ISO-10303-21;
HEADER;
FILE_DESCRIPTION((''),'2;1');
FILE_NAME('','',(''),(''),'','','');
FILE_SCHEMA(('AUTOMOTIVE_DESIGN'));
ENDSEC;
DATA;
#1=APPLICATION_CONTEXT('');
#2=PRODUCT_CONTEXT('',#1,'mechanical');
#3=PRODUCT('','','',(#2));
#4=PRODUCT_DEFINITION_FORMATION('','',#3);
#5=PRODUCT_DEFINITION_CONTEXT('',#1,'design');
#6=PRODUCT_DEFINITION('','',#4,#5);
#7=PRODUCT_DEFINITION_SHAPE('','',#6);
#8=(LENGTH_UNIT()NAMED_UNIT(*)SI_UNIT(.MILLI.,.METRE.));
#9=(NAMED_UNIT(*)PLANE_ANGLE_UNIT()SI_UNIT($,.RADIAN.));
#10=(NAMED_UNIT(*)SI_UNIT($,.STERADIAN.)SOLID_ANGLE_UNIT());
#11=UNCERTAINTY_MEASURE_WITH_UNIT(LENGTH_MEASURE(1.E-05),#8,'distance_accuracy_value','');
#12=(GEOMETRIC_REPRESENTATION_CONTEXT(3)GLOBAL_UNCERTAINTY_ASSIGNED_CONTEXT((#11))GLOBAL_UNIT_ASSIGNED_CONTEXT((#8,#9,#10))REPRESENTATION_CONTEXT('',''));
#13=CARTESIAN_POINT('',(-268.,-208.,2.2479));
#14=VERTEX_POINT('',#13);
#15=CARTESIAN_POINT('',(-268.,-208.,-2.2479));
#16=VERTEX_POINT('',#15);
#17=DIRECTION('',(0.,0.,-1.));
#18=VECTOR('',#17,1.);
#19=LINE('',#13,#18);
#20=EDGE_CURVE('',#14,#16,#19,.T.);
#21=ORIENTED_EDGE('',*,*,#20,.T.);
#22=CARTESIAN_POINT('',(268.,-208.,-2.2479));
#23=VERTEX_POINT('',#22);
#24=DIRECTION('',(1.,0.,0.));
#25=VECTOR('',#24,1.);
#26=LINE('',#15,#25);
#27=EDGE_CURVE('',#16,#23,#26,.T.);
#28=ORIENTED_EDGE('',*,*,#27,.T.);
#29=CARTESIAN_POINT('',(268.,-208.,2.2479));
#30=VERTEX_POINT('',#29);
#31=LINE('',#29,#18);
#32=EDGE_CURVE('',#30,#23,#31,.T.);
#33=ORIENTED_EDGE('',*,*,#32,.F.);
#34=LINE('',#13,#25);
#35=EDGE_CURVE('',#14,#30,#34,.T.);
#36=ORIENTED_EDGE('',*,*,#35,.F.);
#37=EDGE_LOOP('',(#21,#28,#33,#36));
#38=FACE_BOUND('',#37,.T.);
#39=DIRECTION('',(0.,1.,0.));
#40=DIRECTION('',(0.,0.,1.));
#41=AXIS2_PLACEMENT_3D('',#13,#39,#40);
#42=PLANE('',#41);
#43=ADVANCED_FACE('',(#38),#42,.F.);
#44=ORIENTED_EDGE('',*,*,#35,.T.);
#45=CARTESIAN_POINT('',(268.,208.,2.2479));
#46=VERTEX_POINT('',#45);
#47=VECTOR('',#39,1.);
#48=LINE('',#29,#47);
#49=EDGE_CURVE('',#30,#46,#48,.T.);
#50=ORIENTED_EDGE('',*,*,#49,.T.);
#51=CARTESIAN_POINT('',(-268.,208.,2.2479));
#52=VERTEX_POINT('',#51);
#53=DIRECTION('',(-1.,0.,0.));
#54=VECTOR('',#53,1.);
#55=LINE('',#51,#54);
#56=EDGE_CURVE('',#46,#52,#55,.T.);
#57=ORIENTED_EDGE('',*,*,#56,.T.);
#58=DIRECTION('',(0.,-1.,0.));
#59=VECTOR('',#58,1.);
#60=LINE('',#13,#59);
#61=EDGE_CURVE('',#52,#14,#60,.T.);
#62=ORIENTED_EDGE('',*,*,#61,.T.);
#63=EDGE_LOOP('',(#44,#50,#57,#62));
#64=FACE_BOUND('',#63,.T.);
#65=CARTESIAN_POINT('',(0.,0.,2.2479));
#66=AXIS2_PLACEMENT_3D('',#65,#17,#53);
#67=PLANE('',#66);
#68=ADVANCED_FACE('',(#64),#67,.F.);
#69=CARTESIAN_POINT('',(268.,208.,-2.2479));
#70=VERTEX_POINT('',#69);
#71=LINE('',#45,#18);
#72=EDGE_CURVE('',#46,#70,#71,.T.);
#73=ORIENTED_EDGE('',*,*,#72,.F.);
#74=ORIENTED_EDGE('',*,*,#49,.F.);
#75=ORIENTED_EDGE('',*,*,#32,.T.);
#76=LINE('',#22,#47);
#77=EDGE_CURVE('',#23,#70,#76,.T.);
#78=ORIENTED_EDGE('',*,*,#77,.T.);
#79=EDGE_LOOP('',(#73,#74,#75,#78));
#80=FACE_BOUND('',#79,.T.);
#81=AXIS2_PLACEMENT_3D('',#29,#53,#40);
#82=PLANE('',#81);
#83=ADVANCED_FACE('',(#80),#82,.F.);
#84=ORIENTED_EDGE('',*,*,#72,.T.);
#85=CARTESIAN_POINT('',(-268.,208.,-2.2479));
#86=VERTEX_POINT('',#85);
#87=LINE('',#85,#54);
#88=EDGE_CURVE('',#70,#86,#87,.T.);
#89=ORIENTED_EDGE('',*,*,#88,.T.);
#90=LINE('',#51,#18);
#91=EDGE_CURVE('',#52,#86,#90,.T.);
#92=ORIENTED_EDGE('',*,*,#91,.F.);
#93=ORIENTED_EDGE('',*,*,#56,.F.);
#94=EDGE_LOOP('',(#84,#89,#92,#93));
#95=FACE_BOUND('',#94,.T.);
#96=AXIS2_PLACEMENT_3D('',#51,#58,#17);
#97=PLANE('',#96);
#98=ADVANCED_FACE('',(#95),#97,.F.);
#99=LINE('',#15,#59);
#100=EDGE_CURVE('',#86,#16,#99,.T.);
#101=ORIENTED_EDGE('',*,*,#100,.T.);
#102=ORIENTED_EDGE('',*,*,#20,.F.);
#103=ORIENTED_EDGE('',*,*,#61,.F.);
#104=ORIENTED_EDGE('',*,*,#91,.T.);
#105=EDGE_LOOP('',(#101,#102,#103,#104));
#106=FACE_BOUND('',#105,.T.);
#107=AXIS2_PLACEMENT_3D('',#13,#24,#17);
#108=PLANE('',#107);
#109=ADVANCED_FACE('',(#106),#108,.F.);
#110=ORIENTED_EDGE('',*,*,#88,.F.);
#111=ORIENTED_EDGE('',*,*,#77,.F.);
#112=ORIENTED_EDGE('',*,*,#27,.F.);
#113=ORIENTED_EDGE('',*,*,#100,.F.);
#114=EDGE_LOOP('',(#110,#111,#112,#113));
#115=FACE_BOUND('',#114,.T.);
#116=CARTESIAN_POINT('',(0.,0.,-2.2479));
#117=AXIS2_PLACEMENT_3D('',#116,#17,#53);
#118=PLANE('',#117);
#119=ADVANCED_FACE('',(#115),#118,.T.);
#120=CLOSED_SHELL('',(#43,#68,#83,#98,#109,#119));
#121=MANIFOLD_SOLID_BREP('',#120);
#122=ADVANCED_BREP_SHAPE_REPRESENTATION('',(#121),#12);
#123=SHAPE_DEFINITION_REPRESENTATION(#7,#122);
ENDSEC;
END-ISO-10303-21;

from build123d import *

# Parameters (mm, degrees)
SKETCH1_W           = 536
SKETCH1_H           = 416
BOSS_EXTRUDE1_DEPTH = 2.2479


with BuildPart() as part:
    # Sketch1 → Boss-Extrude1 (new body, symmetric)
    with BuildSketch(Plane.XY):
        Rectangle(SKETCH1_W, SKETCH1_H)
    extrude(amount=BOSS_EXTRUDE1_DEPTH, both=True)


solid = part.part
